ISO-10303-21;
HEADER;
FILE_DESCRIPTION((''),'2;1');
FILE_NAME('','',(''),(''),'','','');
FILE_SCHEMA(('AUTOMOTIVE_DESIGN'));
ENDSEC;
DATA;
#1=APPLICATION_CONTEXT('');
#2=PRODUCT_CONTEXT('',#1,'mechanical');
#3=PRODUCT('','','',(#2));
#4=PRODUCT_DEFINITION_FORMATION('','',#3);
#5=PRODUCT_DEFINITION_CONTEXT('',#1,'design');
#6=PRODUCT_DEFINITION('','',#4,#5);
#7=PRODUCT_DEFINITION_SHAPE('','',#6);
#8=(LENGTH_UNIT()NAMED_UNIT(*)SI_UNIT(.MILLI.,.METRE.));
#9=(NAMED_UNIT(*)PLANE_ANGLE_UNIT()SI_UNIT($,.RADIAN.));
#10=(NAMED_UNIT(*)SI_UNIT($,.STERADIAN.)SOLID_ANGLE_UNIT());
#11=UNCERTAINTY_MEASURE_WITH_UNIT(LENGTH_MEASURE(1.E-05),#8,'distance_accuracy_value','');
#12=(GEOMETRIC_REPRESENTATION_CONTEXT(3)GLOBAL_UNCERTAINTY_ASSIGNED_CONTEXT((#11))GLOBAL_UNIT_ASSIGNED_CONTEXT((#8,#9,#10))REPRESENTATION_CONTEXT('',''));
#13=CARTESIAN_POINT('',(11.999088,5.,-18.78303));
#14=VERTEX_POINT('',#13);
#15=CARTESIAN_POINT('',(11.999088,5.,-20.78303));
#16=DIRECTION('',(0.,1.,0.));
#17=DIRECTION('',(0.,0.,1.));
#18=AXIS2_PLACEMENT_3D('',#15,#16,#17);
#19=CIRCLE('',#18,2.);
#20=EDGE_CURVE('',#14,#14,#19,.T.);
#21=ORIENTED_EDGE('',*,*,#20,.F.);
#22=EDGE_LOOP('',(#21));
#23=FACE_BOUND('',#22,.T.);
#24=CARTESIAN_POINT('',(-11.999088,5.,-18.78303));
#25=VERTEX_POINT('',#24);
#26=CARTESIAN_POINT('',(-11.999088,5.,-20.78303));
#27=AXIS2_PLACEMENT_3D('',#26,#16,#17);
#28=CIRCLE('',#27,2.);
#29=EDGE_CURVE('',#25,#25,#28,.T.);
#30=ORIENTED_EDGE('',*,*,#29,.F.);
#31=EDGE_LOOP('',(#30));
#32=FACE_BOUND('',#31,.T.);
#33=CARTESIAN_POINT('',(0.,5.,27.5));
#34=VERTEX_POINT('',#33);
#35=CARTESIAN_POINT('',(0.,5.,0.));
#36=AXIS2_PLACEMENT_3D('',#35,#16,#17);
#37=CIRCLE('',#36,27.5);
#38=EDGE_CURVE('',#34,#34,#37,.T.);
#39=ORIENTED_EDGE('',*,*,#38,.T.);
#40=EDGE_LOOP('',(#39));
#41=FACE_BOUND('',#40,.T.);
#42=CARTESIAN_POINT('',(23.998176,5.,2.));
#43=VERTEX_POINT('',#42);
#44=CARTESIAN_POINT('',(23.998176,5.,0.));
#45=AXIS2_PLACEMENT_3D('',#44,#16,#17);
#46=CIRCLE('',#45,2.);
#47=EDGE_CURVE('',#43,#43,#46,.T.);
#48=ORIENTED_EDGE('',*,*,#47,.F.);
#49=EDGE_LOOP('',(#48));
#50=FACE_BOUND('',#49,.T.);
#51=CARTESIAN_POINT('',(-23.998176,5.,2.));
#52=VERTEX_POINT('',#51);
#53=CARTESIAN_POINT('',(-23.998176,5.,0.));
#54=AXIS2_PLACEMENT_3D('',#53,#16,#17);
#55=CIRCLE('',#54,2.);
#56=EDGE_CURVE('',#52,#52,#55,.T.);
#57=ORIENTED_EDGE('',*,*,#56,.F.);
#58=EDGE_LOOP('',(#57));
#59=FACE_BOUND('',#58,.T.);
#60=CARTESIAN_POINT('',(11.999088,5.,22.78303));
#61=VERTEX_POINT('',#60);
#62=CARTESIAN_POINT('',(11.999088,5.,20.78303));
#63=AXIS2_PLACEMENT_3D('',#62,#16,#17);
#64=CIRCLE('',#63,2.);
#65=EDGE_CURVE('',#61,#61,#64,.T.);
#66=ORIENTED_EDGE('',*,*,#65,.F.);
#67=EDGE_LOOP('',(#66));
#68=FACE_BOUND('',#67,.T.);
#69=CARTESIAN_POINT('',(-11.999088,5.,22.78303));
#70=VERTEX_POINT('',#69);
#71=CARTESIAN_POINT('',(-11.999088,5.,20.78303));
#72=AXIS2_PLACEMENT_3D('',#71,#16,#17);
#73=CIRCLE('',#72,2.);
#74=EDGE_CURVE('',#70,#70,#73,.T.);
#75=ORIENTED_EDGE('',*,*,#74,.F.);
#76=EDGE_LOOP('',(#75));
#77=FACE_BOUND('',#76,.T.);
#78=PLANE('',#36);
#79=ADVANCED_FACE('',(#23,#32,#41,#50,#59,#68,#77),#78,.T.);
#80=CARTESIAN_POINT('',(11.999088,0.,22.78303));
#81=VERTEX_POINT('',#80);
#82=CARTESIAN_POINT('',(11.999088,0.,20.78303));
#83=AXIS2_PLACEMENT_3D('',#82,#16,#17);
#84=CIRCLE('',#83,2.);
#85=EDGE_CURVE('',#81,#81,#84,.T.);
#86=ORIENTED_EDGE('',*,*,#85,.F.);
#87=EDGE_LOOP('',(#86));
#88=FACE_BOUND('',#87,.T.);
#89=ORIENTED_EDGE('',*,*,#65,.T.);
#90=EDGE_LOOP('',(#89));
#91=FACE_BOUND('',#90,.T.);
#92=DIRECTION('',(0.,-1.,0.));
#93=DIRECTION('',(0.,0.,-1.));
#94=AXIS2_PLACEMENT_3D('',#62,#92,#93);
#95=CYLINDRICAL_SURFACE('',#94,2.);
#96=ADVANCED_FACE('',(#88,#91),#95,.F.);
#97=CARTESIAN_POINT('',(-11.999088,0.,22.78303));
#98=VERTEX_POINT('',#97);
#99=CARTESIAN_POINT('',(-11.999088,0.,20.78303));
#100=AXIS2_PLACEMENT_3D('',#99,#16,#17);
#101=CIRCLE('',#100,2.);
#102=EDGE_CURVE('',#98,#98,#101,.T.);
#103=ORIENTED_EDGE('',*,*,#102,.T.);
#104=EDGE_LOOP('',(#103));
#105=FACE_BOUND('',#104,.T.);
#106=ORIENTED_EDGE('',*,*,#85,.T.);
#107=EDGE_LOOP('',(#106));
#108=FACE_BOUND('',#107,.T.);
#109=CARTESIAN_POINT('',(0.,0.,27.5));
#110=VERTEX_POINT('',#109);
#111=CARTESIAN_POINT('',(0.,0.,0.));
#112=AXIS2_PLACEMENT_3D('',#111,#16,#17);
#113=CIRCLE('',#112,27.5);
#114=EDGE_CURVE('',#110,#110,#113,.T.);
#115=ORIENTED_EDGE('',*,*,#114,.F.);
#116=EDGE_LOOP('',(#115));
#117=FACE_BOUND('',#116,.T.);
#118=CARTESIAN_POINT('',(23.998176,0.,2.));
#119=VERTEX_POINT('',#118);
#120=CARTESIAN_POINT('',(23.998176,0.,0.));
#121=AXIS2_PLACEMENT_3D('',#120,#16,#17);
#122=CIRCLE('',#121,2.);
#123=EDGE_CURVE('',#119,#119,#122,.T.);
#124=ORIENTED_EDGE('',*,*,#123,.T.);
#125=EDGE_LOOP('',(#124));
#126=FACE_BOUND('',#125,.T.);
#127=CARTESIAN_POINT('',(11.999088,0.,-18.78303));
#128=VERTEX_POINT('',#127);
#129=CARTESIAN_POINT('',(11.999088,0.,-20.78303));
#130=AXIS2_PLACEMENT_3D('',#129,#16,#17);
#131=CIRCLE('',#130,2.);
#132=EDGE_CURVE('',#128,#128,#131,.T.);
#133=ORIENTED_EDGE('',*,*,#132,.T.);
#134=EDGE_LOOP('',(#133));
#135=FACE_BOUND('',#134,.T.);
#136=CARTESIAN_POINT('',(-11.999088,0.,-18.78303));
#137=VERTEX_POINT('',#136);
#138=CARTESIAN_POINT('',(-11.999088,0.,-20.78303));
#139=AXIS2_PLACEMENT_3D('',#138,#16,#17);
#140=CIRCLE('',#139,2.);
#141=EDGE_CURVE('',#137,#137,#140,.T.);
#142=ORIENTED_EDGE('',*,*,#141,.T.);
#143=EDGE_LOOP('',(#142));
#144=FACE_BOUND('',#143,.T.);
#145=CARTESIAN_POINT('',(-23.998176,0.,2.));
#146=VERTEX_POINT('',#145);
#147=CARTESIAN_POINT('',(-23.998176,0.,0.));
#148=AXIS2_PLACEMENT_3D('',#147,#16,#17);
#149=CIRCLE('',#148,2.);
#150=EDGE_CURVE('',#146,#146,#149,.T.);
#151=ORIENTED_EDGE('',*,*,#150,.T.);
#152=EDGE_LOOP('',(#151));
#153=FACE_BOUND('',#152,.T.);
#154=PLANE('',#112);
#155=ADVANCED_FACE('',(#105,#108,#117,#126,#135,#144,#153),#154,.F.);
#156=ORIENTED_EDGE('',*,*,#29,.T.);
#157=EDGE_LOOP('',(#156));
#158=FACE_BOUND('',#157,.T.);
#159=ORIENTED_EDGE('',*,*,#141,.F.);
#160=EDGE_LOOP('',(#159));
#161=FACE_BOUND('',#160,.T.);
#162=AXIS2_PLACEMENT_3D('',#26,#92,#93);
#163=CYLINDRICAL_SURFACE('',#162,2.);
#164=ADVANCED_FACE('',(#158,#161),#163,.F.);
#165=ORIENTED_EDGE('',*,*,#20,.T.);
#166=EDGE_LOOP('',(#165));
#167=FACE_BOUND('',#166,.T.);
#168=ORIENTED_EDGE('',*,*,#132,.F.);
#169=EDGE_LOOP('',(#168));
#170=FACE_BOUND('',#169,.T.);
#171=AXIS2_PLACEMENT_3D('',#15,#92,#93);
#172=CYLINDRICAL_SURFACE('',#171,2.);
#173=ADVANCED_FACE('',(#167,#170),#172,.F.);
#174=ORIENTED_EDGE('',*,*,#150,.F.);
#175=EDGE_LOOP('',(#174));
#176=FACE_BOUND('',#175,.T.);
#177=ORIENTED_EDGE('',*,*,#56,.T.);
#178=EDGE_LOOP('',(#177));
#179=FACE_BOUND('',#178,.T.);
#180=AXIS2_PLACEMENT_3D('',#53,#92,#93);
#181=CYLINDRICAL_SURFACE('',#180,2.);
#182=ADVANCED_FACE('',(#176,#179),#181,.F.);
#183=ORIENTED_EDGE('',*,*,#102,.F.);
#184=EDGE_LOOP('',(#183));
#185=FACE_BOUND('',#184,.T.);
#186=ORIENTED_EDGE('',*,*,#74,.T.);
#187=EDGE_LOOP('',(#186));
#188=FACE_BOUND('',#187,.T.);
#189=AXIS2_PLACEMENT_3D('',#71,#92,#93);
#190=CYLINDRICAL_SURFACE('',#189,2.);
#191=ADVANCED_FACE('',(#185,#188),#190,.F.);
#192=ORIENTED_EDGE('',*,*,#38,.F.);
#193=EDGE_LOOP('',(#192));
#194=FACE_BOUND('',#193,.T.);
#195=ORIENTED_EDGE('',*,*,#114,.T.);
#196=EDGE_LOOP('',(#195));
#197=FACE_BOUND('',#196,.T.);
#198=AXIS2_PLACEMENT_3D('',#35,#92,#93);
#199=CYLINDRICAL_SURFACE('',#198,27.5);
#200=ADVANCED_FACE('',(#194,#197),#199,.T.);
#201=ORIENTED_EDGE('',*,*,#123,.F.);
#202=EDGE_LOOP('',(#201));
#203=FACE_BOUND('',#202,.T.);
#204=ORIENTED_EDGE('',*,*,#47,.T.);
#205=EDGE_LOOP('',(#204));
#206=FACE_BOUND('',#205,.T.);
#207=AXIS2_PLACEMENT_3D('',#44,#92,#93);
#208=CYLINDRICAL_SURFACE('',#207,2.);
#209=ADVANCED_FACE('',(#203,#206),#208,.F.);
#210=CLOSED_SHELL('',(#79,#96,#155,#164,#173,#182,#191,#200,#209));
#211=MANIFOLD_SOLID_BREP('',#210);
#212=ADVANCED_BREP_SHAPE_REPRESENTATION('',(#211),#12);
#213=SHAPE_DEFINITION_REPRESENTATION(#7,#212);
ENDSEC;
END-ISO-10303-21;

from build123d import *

# Parameters (mm, degrees)
SKETCH_1_R      = 27.5
SKETCH_1_R_2    = 2
EXTRUDE_1_DEPTH = 5


with BuildPart() as part:
    # Эскиз1 → Бобышка-Вытянуть1 (new body)
    with BuildSketch(Plane(origin=(0, 0, 0), x_dir=(1, 0, 0), z_dir=(0, 1, 0))):
        Circle(SKETCH_1_R)
        with Locations((-23.99817593, 0)):
            Circle(SKETCH_1_R_2, mode=Mode.SUBTRACT)
        with Locations((-11.999087965, 20.78303)):
            Circle(SKETCH_1_R_2, mode=Mode.SUBTRACT)
        with Locations((11.999087965, 20.78303)):
            Circle(SKETCH_1_R_2, mode=Mode.SUBTRACT)
        with Locations((23.99817593, 0)):
            Circle(SKETCH_1_R_2, mode=Mode.SUBTRACT)
        with Locations((11.999087965, -20.78303)):
            Circle(SKETCH_1_R_2, mode=Mode.SUBTRACT)
        with Locations((-11.999087965, -20.78303)):
            Circle(SKETCH_1_R_2, mode=Mode.SUBTRACT)
    extrude(amount=EXTRUDE_1_DEPTH)


solid = part.part
